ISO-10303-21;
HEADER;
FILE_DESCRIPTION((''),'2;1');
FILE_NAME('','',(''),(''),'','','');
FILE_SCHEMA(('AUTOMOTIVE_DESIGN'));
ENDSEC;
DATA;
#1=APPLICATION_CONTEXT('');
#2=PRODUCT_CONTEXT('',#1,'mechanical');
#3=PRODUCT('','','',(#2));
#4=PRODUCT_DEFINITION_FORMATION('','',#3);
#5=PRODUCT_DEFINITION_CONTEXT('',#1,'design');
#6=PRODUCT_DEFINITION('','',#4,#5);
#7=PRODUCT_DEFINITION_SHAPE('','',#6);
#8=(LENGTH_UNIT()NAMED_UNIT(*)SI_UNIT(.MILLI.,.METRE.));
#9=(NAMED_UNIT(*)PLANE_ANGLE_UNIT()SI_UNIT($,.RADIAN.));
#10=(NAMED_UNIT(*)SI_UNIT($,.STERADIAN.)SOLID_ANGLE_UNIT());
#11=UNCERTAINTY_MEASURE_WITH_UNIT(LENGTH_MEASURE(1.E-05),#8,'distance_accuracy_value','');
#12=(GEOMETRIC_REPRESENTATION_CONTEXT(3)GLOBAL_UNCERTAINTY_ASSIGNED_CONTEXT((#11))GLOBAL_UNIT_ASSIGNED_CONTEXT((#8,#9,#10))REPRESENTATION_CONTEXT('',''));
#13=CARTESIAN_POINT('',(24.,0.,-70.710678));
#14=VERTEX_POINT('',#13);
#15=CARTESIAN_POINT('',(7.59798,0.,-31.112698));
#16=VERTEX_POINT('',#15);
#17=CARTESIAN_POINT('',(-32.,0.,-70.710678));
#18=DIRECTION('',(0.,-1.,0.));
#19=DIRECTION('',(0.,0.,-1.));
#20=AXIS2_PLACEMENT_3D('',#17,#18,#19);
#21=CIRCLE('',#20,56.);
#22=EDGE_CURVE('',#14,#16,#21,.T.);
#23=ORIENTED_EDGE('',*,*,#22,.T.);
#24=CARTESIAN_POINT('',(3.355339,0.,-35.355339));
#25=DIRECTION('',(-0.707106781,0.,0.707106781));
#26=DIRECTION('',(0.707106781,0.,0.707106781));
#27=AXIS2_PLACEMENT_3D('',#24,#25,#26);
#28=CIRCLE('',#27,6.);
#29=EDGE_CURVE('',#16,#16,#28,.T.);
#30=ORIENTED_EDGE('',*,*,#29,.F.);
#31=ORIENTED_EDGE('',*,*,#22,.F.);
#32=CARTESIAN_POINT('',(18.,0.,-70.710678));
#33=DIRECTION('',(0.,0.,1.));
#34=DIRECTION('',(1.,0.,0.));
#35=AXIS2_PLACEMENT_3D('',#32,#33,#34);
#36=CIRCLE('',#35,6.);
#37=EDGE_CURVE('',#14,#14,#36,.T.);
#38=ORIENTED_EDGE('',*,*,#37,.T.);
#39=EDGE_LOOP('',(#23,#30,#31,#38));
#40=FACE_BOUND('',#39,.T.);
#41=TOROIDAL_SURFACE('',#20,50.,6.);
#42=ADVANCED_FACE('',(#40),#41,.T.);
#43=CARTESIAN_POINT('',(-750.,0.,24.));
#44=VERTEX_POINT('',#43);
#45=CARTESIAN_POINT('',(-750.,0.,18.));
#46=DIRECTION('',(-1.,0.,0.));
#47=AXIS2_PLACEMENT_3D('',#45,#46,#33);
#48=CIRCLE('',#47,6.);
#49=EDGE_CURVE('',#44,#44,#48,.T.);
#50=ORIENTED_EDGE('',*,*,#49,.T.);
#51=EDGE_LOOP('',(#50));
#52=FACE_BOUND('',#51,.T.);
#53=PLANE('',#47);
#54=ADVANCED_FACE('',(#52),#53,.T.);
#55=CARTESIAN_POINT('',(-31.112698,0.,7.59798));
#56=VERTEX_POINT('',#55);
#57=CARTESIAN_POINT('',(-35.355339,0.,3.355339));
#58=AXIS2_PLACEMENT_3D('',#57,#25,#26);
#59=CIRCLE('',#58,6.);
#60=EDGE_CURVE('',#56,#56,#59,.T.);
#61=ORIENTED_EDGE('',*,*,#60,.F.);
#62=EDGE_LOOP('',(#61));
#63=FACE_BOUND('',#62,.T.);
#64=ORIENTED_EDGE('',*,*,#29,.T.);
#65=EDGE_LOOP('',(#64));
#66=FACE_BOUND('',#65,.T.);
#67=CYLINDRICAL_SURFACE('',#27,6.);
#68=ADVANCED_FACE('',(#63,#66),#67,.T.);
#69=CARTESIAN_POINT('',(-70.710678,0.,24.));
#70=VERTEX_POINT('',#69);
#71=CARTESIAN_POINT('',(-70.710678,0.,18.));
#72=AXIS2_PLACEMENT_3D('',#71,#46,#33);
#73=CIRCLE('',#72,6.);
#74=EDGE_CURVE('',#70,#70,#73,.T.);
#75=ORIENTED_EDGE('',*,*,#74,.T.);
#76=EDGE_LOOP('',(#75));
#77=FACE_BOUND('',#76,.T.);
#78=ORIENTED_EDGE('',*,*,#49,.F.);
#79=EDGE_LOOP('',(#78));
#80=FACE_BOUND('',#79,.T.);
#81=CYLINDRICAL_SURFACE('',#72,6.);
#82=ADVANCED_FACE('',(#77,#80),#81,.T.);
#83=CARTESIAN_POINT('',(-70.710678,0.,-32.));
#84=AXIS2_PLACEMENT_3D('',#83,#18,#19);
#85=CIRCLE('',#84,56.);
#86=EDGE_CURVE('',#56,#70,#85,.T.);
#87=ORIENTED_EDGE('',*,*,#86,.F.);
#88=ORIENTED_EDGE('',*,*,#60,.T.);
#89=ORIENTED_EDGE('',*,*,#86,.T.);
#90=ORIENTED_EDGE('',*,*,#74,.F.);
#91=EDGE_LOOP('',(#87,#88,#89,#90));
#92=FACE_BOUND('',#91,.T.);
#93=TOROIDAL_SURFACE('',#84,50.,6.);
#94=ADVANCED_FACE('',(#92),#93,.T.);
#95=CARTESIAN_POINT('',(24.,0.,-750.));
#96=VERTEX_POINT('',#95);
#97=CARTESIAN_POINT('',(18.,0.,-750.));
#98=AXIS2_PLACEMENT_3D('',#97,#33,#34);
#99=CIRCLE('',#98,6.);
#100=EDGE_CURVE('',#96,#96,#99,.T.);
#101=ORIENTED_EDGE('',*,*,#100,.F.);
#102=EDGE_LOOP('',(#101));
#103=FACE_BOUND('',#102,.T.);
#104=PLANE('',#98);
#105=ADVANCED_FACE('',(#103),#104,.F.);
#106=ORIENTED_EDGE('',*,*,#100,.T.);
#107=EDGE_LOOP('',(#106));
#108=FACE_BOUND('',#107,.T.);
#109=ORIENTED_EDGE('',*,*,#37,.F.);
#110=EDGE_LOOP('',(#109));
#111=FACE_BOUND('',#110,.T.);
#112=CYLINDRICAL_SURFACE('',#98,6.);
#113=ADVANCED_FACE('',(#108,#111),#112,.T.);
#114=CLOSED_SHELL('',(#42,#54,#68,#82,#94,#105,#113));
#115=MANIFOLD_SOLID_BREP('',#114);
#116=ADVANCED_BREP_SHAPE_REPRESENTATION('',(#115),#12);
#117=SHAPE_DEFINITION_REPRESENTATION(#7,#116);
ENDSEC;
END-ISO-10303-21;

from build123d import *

# Parameters (mm, degrees)
SKETCH_2_R = 6


with BuildPart() as part:
    # По траектории1: sweep along a path in Эскиз1
    with BuildLine(Plane(origin=(0, 0, 0), x_dir=(1, 0, 0), z_dir=(0, 1, 0))) as sweep_1_path:
        Line((18, 750), (18, 70.710678119))
        ThreePointArc((18, 70.710678119), (14.193976626, 51.5765065), (3.355339059, 35.355339059))
        Line((3.355339059, 35.355339059), (-35.355339059, -3.355339059))
        ThreePointArc((-35.355339059, -3.355339059), (-51.5765065, -14.193976626), (-70.710678119, -18))
        Line((-70.710678119, -18), (-750, -18))
    # Эскиз2 → По траектории1 (sweep)
    with BuildSketch(Plane(origin=(-750, -400, -12), x_dir=(0, 0, 1), z_dir=(-1, 0, 0))):
        with Locations((30, 400)):
            Circle(SKETCH_2_R)
    sweep(path=sweep_1_path.line)


solid = part.part
